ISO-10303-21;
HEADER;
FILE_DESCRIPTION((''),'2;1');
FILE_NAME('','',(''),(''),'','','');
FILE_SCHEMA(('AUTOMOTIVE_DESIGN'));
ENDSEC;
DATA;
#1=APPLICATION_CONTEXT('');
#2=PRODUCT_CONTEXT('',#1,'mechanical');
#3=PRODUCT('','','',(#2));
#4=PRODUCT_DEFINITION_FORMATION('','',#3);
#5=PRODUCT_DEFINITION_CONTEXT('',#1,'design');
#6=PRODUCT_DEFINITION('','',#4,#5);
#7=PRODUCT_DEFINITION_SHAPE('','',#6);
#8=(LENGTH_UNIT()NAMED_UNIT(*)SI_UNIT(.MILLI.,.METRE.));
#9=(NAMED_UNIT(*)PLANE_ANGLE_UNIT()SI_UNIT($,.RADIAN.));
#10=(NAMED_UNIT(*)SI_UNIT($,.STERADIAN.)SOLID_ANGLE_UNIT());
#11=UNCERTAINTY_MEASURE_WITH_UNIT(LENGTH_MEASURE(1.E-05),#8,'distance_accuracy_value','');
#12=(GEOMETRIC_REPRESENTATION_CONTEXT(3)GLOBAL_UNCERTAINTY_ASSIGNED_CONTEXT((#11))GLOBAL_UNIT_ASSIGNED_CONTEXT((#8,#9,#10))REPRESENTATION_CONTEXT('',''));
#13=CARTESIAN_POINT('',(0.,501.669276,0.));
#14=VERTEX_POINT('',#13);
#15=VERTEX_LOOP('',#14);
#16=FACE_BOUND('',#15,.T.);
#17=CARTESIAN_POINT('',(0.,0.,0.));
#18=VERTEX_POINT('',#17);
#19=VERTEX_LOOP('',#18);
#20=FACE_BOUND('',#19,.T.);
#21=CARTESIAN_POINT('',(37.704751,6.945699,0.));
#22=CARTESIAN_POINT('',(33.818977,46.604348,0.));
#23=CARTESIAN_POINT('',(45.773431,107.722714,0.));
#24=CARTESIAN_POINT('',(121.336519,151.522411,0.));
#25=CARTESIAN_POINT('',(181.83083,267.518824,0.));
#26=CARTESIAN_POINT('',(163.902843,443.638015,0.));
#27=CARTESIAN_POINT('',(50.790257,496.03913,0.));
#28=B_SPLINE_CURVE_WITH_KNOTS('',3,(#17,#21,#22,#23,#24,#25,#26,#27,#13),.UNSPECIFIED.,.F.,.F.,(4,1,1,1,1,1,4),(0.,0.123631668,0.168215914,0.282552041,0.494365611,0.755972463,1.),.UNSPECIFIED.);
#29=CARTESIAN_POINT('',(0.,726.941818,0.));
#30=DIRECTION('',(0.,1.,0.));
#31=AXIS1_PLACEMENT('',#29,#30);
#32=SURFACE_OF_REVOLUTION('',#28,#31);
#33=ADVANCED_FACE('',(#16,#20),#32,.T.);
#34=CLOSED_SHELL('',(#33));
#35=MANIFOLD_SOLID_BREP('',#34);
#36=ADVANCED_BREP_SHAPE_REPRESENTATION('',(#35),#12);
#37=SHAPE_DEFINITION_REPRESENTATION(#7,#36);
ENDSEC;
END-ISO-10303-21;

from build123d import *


with BuildPart() as part:
    # Sketch1 → Revolve4 (revolve)
    with BuildSketch(Plane.XY):
        with BuildLine():
            Line((0, 501.669276232), (0, 0))
            add(Edge.make_bspline(
                [(0, 501.669276232), (50.790256677, 496.039129861), (163.902843019, 443.638014571), (181.830829811, 267.518824208), (121.336519151, 151.522410807), (45.773430851, 107.722714017), (33.818977063, 46.60434838), (37.704751096, 6.945699286), (0, 0)],
                knots=[0, 0, 0, 0, 0.244027537, 0.505634389, 0.717447959, 0.831784086, 0.876368332, 1, 1, 1, 1], degree=3))
        make_face()
    revolve(axis=Axis((0, 726.941818068, 0), (0, -1, 0)))


solid = part.part
